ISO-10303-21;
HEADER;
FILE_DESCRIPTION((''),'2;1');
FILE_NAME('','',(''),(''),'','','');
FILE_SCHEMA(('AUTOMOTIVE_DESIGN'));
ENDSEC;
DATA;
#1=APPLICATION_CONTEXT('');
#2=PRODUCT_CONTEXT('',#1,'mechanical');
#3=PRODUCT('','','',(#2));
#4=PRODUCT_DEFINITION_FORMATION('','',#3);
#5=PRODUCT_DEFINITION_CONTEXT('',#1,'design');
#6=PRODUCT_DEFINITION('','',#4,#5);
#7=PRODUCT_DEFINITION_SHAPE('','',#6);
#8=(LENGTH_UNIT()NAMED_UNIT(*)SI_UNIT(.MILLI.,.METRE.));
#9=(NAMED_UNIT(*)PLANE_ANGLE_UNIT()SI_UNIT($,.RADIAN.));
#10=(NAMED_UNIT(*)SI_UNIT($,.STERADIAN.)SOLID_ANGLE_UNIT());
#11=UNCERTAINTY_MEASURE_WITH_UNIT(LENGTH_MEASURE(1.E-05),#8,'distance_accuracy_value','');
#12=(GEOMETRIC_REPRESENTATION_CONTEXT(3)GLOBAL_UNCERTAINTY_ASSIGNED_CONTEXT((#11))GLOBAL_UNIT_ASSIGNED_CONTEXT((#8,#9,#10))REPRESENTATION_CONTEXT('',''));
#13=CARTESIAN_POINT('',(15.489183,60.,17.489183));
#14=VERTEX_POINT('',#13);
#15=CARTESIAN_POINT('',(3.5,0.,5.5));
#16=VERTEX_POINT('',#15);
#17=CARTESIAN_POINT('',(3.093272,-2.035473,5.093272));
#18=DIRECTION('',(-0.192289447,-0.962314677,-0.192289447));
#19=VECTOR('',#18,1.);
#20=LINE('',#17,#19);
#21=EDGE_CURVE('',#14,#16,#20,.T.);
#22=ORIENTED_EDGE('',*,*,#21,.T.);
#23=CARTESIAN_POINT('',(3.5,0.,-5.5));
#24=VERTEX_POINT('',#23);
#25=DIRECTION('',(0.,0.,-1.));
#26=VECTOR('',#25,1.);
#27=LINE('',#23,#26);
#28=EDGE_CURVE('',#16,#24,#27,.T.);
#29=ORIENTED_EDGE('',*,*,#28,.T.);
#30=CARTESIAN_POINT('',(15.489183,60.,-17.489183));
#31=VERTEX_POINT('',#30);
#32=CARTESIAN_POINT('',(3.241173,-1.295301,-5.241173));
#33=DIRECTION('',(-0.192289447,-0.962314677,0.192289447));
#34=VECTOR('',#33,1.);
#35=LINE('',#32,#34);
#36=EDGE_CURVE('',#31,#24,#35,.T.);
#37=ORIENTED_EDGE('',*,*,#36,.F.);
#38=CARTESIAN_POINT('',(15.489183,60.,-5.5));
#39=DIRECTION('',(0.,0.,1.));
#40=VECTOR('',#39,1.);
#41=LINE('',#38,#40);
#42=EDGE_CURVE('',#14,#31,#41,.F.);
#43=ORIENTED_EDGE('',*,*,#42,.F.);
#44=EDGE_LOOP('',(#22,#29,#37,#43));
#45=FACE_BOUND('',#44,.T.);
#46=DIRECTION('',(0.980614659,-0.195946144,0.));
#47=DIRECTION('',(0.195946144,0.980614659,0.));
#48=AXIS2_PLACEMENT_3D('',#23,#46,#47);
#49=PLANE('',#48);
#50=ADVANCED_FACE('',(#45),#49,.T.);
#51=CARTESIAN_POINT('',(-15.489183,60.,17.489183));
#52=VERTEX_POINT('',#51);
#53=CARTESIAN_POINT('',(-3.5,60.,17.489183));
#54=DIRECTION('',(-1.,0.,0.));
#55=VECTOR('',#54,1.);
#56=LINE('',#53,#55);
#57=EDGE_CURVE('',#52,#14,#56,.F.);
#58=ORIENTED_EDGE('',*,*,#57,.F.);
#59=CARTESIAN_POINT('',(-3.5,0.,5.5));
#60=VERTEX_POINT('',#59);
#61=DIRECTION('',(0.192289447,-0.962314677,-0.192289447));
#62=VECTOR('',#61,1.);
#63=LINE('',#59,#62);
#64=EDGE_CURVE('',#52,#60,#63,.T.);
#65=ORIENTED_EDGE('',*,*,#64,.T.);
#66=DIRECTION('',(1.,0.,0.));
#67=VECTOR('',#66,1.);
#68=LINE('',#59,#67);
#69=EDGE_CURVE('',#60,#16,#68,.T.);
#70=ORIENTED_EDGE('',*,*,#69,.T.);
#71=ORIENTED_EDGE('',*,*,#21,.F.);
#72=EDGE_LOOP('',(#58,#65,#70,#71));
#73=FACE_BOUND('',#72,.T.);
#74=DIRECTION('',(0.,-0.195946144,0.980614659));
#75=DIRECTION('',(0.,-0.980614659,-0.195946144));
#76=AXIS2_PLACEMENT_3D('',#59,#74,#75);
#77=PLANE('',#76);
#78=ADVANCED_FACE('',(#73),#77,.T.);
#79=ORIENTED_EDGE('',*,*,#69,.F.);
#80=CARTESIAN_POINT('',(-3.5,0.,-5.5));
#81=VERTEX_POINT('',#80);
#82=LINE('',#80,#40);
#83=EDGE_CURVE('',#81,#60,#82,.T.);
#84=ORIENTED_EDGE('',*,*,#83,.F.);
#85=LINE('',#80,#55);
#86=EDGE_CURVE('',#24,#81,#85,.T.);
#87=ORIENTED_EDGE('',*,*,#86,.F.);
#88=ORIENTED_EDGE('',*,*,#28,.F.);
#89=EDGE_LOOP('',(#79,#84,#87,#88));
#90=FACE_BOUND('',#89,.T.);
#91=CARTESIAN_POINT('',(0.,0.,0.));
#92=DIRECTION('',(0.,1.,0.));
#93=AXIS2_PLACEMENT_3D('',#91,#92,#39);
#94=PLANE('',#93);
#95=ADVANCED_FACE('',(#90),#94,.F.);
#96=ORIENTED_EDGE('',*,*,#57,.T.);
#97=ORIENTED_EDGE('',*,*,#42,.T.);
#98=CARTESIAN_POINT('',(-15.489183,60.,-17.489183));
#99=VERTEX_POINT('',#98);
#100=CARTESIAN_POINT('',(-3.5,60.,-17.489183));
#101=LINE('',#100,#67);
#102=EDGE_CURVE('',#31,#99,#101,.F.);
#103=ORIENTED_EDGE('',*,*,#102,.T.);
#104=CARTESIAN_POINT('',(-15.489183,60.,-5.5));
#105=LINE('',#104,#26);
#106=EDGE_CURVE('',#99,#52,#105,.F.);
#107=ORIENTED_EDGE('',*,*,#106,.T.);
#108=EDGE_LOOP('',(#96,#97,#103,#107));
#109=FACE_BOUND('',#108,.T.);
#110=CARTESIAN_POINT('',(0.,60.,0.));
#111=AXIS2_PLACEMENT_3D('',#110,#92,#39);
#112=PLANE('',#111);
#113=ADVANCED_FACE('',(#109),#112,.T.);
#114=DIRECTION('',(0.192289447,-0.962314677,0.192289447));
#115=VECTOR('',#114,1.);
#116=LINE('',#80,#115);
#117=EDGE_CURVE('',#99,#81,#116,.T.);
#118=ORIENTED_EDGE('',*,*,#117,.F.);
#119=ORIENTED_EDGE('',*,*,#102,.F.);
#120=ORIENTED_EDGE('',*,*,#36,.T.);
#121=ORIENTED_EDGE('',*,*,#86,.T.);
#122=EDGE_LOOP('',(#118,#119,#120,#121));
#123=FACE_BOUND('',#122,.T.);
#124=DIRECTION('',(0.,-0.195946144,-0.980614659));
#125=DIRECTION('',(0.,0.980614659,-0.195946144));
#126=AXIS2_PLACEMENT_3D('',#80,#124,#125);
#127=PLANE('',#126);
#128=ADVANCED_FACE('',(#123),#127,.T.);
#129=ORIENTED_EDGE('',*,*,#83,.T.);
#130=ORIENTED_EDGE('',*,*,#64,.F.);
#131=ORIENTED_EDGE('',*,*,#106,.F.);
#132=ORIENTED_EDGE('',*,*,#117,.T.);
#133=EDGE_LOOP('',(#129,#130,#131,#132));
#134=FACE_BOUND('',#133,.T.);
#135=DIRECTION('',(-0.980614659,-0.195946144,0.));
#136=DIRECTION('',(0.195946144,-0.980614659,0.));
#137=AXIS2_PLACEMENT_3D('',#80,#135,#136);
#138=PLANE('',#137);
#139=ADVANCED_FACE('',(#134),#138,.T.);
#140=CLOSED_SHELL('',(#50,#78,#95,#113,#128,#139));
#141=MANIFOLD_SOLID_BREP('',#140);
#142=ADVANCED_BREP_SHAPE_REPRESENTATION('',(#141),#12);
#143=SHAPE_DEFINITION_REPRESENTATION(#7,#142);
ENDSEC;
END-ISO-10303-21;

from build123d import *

# Parameters (mm, degrees)
SKETCH1_W           = 7
SKETCH1_H           = 11
BOSS_EXTRUDE1_DEPTH = 60
BOSS_EXTRUDE1_TAPER = -11.3


with BuildPart() as part:
    # Sketch1 → Boss-Extrude1 (new body)
    with BuildSketch(Plane(origin=(0, 0, 0), x_dir=(1, 0, 0), z_dir=(0, 1, 0))):
        Rectangle(SKETCH1_W, SKETCH1_H)
    extrude(amount=BOSS_EXTRUDE1_DEPTH, taper=BOSS_EXTRUDE1_TAPER)


solid = part.part
